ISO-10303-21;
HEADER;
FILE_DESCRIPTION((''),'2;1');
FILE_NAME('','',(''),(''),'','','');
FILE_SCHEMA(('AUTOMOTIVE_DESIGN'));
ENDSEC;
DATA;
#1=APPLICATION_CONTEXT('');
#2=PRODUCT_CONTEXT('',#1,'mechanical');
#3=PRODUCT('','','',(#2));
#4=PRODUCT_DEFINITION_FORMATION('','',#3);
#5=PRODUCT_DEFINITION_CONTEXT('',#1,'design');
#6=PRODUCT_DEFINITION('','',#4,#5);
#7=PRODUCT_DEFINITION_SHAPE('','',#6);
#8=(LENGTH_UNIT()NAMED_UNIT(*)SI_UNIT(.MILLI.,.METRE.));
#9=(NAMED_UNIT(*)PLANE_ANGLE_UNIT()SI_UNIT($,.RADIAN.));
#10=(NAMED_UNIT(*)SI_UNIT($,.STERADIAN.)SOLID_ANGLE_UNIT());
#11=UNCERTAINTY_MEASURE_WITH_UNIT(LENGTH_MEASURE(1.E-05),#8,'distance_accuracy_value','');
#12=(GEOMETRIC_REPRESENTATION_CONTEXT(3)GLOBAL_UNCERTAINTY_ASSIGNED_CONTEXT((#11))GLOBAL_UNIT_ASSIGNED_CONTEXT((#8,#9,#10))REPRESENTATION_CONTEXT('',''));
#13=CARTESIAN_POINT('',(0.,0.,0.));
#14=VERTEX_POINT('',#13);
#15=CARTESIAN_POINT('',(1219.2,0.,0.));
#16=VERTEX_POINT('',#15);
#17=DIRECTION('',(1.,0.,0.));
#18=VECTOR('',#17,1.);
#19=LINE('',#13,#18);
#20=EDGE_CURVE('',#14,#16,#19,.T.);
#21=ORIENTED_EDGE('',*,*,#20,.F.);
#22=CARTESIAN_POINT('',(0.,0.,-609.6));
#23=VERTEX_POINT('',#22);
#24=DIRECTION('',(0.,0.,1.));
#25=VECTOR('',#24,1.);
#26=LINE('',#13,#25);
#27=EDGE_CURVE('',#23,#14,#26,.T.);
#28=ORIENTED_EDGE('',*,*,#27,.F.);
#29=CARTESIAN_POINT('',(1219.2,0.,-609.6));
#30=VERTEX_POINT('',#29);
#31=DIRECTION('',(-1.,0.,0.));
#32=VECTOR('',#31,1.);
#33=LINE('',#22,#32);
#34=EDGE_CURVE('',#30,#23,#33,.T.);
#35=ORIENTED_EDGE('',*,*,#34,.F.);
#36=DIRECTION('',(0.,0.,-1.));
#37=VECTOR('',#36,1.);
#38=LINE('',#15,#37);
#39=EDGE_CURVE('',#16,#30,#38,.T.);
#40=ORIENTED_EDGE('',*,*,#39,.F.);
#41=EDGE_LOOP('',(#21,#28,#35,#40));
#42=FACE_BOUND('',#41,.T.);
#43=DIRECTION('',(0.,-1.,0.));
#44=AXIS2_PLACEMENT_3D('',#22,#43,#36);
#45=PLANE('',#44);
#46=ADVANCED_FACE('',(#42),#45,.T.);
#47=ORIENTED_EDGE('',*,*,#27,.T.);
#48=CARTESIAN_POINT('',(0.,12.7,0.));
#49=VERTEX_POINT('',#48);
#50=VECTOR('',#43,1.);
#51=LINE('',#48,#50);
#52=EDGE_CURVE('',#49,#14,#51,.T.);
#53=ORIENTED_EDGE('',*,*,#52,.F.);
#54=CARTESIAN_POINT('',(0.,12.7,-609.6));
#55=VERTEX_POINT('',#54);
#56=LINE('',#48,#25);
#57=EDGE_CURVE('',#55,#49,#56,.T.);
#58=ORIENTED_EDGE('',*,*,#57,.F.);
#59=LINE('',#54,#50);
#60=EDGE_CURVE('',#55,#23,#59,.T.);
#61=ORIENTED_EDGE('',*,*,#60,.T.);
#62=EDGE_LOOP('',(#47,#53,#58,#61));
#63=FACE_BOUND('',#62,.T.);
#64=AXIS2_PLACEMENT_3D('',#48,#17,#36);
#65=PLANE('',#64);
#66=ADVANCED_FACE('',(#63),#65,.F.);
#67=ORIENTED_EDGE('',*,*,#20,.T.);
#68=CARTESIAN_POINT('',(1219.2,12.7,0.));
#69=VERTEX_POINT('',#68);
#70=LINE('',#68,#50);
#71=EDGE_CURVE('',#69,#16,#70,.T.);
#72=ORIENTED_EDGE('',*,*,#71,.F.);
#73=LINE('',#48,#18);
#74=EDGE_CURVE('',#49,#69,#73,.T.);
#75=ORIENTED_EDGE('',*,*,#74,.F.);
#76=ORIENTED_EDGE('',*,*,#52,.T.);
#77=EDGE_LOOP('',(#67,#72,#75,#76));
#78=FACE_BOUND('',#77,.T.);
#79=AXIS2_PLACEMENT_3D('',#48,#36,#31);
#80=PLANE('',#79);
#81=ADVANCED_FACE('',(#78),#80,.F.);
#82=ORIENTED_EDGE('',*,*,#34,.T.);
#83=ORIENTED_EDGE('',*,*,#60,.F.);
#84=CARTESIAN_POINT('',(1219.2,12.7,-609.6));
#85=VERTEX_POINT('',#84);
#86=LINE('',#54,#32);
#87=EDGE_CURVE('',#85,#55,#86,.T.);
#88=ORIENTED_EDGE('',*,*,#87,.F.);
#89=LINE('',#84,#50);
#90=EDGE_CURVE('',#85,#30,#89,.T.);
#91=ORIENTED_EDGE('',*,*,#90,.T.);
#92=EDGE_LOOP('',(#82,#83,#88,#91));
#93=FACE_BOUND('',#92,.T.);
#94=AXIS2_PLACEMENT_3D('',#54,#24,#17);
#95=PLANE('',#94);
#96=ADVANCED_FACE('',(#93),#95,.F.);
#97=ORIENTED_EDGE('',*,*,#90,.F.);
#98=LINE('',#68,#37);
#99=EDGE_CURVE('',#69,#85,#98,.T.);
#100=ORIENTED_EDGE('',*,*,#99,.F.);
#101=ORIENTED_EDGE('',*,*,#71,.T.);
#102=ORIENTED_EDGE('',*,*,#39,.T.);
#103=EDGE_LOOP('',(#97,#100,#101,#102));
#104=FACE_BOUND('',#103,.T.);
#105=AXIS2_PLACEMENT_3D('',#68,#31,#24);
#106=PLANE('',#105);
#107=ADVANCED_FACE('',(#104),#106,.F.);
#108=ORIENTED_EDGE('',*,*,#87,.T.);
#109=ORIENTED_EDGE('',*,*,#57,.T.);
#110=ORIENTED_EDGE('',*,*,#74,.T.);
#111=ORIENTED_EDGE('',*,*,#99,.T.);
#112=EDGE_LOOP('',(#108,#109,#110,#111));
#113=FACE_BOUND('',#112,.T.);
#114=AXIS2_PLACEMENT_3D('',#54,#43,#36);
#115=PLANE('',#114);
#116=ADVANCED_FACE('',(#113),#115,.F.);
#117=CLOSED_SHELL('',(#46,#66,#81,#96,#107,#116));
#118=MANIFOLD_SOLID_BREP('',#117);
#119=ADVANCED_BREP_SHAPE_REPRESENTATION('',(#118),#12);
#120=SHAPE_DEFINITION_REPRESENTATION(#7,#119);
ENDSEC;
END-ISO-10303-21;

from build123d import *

# Parameters (mm, degrees)
SKETCH1_W           = 1219.2
SKETCH1_H           = 609.6
BOSS_EXTRUDE1_DEPTH = 12.7


with BuildPart() as part:
    # Sketch1 → Boss-Extrude1 (new body)
    with BuildSketch(Plane(origin=(0, 0, 0), x_dir=(1, 0, 0), z_dir=(0, 1, 0))):
        with Locations((609.6, 304.8)):
            Rectangle(SKETCH1_W, SKETCH1_H)
    extrude(amount=BOSS_EXTRUDE1_DEPTH)


solid = part.part
